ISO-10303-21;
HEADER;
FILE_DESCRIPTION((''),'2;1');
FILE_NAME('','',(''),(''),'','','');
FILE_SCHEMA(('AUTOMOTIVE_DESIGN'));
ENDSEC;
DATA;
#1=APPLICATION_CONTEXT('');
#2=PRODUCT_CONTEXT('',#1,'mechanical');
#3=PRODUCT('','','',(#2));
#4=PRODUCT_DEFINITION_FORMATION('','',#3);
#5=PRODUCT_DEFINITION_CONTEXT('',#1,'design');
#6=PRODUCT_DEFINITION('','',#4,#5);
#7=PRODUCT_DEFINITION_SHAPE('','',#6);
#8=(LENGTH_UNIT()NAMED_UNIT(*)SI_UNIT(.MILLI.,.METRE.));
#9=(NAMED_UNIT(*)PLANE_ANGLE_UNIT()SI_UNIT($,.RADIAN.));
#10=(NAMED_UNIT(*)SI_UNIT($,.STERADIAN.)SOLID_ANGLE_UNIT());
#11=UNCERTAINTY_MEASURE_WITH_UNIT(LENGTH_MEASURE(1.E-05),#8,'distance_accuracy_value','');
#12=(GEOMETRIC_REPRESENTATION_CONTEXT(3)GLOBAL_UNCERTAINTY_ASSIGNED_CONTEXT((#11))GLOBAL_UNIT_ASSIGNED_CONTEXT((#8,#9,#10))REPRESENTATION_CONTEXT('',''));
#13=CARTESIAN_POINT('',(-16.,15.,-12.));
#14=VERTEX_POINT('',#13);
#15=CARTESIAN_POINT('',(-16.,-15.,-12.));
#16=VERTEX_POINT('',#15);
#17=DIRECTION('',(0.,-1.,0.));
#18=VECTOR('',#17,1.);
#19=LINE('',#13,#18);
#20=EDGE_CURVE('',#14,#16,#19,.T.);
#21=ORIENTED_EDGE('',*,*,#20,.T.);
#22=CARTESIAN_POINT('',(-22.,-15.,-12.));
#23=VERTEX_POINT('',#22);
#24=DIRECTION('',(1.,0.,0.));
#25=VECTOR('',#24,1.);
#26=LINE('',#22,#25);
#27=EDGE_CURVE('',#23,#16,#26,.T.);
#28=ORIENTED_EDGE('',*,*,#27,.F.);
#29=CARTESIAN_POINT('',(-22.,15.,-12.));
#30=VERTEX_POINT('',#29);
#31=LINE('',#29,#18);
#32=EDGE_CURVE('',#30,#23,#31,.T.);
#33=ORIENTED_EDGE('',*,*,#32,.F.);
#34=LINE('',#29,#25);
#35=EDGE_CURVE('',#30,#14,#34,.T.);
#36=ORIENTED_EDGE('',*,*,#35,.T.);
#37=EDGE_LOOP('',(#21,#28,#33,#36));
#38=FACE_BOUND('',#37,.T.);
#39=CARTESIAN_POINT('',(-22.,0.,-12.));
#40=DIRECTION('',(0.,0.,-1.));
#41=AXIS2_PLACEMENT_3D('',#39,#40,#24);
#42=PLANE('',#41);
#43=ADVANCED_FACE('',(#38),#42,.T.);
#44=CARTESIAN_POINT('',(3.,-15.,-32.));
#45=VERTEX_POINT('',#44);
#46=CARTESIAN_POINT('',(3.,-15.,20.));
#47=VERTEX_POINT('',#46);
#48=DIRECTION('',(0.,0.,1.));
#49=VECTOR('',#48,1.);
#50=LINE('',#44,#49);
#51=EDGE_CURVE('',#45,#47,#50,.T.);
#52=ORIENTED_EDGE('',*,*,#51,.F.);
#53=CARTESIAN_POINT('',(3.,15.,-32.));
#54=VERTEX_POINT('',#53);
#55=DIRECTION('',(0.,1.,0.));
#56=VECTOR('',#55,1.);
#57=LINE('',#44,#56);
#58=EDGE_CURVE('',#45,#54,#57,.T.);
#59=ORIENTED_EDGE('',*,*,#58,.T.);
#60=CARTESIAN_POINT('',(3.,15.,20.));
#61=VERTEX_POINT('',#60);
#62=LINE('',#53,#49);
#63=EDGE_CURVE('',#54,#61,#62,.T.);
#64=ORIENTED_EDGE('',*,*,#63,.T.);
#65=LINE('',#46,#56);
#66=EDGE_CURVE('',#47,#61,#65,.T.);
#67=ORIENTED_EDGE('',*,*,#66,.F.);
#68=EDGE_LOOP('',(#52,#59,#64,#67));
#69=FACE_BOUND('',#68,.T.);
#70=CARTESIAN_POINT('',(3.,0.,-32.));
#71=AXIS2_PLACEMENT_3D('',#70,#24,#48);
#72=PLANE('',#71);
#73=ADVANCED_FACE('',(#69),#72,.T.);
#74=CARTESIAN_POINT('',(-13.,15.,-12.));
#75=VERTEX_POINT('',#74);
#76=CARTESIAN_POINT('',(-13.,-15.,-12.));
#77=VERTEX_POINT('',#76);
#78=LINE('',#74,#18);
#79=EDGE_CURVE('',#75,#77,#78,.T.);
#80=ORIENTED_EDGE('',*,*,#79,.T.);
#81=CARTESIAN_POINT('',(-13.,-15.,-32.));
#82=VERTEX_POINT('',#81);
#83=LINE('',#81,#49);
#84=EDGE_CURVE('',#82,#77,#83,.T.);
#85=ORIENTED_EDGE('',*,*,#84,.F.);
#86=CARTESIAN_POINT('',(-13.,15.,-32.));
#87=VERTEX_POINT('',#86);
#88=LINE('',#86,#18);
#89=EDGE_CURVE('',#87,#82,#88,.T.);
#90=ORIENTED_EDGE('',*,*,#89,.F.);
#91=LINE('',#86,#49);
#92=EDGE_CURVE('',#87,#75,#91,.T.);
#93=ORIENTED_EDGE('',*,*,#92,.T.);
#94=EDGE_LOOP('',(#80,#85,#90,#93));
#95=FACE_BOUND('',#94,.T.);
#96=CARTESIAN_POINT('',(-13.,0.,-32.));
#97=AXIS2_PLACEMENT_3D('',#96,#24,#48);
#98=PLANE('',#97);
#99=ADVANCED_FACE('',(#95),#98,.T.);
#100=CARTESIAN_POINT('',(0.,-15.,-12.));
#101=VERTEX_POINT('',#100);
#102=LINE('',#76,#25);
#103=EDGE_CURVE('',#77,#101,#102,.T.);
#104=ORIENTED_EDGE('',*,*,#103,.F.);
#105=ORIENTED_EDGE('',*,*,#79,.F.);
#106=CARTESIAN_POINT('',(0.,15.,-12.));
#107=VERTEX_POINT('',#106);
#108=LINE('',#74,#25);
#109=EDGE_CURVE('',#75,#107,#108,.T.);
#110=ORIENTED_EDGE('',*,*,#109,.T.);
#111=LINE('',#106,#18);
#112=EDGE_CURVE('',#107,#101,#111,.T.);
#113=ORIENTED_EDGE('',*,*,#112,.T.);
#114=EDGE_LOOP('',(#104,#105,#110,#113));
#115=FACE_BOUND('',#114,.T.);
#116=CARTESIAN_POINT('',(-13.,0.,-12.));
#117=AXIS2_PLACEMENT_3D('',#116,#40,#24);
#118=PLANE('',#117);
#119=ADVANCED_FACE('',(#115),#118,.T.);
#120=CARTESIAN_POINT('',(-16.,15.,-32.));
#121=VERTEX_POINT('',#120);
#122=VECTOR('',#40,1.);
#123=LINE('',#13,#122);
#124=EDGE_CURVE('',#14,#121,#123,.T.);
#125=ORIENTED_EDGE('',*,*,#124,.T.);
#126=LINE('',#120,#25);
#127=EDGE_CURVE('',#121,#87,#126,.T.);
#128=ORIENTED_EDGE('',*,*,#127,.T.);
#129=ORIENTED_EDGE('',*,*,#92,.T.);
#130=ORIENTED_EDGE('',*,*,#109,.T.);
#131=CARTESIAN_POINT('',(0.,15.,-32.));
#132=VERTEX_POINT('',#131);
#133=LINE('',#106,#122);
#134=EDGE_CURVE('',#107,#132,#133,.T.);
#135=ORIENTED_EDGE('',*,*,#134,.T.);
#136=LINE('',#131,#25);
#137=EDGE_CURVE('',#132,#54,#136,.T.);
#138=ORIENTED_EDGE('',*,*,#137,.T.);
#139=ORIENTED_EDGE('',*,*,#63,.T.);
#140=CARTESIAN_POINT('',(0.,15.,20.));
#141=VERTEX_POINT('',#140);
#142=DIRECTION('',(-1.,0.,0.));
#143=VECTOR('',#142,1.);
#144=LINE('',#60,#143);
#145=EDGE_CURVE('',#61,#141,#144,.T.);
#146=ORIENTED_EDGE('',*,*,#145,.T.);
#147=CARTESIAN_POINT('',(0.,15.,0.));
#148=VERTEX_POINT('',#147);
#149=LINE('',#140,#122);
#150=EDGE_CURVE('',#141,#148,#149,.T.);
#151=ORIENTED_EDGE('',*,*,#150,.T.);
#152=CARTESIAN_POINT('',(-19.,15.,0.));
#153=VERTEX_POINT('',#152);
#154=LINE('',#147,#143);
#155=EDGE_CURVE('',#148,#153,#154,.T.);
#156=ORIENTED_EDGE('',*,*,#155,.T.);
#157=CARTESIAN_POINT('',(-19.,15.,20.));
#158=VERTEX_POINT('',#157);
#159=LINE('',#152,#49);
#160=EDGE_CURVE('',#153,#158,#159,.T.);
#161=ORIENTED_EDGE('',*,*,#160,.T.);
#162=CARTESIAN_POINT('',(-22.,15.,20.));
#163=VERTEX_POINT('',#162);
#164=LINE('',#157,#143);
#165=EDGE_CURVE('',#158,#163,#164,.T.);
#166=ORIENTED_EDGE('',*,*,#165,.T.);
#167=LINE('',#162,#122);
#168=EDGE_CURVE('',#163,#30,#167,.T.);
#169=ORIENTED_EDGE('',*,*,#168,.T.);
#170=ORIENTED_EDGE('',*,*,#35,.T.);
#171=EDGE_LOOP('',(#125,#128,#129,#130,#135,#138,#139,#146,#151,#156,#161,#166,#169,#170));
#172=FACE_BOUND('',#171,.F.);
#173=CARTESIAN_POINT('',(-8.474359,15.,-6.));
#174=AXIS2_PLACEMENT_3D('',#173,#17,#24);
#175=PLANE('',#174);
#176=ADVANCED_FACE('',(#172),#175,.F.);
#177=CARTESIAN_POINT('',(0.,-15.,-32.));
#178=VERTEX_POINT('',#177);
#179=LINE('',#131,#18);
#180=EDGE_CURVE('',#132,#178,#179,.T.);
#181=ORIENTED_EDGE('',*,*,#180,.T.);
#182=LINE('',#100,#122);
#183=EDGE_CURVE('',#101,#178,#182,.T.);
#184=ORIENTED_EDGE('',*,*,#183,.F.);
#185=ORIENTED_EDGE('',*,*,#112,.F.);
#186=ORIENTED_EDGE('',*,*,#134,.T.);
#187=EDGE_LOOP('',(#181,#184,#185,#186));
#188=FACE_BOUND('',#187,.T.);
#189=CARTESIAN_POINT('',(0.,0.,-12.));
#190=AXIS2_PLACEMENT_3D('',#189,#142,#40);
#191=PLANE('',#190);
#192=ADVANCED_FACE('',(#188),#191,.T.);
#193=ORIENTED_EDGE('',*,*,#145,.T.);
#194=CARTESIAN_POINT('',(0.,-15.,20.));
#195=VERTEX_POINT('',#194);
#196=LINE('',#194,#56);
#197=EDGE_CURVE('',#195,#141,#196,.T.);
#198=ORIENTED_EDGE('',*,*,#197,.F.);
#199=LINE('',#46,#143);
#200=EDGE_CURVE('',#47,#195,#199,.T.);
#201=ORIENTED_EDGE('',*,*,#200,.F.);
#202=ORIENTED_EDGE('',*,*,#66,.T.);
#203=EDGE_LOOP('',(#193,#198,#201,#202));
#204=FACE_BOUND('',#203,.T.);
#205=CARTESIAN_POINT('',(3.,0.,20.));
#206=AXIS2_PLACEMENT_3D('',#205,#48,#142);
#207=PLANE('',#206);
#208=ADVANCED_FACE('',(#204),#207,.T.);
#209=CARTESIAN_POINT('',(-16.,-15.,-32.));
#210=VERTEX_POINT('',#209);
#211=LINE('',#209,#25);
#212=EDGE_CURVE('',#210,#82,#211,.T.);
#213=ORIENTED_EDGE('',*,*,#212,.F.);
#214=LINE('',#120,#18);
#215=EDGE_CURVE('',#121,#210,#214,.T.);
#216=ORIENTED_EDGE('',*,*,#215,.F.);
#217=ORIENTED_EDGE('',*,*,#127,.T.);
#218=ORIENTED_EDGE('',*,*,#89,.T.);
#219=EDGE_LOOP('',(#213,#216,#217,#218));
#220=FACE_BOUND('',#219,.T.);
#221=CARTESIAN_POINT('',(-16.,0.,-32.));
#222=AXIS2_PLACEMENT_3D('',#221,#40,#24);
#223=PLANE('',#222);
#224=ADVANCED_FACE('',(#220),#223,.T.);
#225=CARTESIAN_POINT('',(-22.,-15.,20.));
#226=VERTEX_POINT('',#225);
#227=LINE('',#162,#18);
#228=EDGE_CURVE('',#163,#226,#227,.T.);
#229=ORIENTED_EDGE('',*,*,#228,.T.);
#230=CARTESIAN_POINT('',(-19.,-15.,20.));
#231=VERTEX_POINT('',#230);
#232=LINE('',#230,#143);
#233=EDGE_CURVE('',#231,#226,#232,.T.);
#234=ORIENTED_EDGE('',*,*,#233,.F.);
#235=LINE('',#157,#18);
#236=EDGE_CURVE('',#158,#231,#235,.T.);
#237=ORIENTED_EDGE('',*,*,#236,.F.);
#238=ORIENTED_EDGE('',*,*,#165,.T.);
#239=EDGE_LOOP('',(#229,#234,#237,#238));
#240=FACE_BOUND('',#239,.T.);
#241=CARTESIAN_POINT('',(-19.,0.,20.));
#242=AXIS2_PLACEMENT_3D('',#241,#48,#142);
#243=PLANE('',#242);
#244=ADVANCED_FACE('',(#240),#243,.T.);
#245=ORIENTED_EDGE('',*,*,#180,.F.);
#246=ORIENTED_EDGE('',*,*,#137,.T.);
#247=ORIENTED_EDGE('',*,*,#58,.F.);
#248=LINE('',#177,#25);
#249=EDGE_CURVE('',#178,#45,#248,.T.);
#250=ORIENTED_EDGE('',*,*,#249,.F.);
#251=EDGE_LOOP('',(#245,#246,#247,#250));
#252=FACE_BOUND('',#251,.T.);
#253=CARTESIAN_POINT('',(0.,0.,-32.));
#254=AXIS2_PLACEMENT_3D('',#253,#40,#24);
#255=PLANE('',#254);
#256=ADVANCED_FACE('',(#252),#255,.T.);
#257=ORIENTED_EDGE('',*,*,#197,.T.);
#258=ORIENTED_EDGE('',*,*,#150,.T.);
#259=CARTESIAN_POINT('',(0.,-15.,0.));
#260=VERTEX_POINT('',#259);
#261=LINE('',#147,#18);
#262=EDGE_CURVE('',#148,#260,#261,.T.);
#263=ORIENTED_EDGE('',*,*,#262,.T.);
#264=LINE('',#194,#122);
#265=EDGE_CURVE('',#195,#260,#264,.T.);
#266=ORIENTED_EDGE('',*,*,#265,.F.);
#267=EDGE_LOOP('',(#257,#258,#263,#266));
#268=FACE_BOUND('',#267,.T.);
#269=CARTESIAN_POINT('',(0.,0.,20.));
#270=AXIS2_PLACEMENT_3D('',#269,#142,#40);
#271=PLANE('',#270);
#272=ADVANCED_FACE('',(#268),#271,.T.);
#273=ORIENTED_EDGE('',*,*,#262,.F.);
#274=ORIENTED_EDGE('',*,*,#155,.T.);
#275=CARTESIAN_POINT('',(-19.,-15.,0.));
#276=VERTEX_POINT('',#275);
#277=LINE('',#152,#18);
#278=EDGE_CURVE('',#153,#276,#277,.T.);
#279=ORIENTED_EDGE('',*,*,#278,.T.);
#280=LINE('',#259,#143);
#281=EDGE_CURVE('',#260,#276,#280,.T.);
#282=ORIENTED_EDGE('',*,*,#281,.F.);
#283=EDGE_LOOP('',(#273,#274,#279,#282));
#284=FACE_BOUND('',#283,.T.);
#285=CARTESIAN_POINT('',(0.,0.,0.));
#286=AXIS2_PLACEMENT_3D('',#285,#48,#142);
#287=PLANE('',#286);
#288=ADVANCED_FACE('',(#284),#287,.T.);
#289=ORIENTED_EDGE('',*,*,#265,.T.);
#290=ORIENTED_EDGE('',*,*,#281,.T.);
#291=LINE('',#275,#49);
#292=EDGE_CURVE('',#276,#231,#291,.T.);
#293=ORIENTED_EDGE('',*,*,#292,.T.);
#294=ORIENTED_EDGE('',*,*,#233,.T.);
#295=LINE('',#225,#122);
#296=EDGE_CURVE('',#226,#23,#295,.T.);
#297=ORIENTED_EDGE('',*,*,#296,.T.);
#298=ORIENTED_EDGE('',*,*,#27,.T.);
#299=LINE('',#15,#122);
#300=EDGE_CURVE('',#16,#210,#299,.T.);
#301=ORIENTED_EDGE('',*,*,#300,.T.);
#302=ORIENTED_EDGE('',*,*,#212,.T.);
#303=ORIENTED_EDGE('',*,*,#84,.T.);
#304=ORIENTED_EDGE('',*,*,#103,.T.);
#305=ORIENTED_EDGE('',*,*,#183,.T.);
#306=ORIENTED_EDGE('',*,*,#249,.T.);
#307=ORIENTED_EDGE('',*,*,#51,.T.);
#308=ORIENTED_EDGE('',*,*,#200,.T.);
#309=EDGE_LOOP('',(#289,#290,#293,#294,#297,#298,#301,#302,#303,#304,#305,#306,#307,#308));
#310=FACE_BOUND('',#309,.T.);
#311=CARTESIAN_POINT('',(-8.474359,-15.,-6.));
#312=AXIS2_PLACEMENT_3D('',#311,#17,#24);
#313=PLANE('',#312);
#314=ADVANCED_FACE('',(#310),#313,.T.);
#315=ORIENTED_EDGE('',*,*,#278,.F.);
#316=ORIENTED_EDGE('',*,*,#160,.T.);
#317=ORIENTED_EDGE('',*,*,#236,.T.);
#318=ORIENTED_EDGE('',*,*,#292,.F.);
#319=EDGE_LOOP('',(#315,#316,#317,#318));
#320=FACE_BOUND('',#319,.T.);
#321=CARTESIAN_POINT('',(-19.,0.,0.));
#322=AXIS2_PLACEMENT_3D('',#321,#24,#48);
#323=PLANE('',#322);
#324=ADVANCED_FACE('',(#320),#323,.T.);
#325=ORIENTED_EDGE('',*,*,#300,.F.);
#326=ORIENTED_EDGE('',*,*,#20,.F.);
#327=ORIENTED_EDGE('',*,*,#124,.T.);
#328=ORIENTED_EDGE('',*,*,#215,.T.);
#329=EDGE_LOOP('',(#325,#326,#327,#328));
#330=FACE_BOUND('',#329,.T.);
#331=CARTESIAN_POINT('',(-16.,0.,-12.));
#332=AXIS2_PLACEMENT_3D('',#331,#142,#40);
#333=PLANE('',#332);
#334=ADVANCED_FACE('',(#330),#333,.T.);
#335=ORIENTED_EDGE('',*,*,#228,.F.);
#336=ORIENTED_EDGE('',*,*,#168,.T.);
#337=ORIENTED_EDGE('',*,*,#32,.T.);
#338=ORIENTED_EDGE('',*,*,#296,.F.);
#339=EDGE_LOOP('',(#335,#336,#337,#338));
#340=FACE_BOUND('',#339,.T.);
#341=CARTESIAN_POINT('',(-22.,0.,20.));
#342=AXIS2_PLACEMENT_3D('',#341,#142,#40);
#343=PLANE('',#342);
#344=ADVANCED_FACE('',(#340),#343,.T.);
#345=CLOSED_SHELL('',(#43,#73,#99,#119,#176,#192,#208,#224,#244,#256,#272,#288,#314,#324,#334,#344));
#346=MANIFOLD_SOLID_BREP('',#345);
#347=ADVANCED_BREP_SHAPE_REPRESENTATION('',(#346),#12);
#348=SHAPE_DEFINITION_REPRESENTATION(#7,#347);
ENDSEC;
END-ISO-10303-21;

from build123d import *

# Parameters (mm, degrees)
F1_DEPTH      = 15
F1_DEPTH_BACK = 15


with BuildPart() as f1:
    # F0 (on Front) → F1 (new body, two sides)
    with BuildSketch(Plane.XZ) as f1_sk:
        Polygon((0, 20), (0, 0), (-13, 0), (-16, 0), (-19, 0), (-19, 20), (-22, 20), (-22, 0), (-22, -12), (-16, -12), (-16, -32), (-13, -32), (-13, -29.301528), (-13, -12), (0, -12), (0, -32), (3, -32), (3, 20), align=None)
    extrude(amount=F1_DEPTH)
    extrude(f1_sk.sketch, amount=-F1_DEPTH_BACK)


solid = f1.part
